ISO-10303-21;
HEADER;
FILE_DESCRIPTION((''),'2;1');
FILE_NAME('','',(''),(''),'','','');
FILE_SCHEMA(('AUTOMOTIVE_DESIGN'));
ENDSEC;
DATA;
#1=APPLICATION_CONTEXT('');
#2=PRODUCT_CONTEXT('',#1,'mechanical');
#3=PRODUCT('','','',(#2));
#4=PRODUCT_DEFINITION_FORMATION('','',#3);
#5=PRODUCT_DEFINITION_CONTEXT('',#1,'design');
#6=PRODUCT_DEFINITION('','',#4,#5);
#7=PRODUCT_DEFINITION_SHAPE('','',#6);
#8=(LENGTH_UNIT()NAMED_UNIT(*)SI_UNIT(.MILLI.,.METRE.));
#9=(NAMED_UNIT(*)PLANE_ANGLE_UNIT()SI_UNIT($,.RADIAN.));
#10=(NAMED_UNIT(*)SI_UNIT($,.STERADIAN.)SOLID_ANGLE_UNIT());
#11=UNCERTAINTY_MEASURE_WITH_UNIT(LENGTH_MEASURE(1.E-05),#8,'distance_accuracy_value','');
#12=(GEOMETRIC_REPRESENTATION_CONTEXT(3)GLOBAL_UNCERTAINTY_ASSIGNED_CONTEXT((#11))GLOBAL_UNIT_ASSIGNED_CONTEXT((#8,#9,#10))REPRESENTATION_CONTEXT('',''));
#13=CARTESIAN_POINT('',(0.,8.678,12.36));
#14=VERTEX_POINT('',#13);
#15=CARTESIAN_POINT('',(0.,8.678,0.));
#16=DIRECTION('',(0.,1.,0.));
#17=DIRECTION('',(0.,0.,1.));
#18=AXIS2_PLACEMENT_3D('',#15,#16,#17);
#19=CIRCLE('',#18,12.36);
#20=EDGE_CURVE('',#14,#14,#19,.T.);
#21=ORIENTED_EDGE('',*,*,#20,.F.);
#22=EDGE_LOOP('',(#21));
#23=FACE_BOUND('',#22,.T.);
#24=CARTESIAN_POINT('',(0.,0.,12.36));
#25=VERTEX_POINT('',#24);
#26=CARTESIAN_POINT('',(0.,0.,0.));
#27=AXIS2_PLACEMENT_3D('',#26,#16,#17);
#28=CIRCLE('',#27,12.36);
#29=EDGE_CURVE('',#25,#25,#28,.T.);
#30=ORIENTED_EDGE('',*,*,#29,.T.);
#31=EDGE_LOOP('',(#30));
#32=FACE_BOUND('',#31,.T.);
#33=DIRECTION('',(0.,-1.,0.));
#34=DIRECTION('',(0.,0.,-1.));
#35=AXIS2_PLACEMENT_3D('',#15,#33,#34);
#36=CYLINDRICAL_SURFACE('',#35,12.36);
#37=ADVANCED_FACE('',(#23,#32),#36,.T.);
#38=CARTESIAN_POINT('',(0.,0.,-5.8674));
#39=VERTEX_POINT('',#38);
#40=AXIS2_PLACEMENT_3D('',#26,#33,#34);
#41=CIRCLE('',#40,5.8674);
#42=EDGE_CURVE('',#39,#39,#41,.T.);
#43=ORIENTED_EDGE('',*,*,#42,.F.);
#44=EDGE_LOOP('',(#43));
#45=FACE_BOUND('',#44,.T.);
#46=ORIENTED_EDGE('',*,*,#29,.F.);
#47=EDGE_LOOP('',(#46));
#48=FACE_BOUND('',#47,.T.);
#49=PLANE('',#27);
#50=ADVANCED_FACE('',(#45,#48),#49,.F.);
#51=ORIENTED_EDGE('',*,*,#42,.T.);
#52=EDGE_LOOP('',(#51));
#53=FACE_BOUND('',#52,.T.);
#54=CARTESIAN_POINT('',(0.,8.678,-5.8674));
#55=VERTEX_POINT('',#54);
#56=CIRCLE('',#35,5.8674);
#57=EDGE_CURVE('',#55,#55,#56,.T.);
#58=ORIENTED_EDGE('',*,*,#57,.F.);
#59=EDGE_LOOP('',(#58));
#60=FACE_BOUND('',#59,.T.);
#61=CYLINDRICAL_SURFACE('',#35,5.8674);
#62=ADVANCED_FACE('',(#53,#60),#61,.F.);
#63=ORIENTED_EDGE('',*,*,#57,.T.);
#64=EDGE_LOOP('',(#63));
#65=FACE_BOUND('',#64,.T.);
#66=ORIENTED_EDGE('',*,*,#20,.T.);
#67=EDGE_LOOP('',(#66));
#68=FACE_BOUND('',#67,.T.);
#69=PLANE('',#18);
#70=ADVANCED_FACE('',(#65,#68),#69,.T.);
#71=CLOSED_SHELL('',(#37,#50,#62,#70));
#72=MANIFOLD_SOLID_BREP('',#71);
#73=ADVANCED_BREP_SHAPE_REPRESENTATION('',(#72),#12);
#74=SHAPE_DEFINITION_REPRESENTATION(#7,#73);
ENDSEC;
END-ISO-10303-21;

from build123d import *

# Parameters (mm, degrees)
SKETCH1_R           = 12.36
BOSS_EXTRUDE1_DEPTH = 8.678
SKETCH2_R           = 5.8674
CUT_EXTRUDE1_DEPTH  = 20.515298717


with BuildPart() as part:
    # Sketch1 → Boss-Extrude1 (new body)
    with BuildSketch(Plane(origin=(0, 0, 0), x_dir=(1, 0, 0), z_dir=(0, 1, 0))):
        with Locations(Location((0, 0, 0), (0, 0, 270))):
            Circle(SKETCH1_R)
    extrude(amount=BOSS_EXTRUDE1_DEPTH)

    # Sketch2 → Cut-Extrude1 (cut, through all)
    with BuildSketch(Plane(origin=(0, 0, 0), x_dir=(-1, 0, 0), z_dir=(0, -1, 0))):
        with Locations(Location((0, 0, 0), (0, 0, 90))):
            Circle(SKETCH2_R)
    extrude(amount=-CUT_EXTRUDE1_DEPTH, mode=Mode.SUBTRACT)


solid = part.part
